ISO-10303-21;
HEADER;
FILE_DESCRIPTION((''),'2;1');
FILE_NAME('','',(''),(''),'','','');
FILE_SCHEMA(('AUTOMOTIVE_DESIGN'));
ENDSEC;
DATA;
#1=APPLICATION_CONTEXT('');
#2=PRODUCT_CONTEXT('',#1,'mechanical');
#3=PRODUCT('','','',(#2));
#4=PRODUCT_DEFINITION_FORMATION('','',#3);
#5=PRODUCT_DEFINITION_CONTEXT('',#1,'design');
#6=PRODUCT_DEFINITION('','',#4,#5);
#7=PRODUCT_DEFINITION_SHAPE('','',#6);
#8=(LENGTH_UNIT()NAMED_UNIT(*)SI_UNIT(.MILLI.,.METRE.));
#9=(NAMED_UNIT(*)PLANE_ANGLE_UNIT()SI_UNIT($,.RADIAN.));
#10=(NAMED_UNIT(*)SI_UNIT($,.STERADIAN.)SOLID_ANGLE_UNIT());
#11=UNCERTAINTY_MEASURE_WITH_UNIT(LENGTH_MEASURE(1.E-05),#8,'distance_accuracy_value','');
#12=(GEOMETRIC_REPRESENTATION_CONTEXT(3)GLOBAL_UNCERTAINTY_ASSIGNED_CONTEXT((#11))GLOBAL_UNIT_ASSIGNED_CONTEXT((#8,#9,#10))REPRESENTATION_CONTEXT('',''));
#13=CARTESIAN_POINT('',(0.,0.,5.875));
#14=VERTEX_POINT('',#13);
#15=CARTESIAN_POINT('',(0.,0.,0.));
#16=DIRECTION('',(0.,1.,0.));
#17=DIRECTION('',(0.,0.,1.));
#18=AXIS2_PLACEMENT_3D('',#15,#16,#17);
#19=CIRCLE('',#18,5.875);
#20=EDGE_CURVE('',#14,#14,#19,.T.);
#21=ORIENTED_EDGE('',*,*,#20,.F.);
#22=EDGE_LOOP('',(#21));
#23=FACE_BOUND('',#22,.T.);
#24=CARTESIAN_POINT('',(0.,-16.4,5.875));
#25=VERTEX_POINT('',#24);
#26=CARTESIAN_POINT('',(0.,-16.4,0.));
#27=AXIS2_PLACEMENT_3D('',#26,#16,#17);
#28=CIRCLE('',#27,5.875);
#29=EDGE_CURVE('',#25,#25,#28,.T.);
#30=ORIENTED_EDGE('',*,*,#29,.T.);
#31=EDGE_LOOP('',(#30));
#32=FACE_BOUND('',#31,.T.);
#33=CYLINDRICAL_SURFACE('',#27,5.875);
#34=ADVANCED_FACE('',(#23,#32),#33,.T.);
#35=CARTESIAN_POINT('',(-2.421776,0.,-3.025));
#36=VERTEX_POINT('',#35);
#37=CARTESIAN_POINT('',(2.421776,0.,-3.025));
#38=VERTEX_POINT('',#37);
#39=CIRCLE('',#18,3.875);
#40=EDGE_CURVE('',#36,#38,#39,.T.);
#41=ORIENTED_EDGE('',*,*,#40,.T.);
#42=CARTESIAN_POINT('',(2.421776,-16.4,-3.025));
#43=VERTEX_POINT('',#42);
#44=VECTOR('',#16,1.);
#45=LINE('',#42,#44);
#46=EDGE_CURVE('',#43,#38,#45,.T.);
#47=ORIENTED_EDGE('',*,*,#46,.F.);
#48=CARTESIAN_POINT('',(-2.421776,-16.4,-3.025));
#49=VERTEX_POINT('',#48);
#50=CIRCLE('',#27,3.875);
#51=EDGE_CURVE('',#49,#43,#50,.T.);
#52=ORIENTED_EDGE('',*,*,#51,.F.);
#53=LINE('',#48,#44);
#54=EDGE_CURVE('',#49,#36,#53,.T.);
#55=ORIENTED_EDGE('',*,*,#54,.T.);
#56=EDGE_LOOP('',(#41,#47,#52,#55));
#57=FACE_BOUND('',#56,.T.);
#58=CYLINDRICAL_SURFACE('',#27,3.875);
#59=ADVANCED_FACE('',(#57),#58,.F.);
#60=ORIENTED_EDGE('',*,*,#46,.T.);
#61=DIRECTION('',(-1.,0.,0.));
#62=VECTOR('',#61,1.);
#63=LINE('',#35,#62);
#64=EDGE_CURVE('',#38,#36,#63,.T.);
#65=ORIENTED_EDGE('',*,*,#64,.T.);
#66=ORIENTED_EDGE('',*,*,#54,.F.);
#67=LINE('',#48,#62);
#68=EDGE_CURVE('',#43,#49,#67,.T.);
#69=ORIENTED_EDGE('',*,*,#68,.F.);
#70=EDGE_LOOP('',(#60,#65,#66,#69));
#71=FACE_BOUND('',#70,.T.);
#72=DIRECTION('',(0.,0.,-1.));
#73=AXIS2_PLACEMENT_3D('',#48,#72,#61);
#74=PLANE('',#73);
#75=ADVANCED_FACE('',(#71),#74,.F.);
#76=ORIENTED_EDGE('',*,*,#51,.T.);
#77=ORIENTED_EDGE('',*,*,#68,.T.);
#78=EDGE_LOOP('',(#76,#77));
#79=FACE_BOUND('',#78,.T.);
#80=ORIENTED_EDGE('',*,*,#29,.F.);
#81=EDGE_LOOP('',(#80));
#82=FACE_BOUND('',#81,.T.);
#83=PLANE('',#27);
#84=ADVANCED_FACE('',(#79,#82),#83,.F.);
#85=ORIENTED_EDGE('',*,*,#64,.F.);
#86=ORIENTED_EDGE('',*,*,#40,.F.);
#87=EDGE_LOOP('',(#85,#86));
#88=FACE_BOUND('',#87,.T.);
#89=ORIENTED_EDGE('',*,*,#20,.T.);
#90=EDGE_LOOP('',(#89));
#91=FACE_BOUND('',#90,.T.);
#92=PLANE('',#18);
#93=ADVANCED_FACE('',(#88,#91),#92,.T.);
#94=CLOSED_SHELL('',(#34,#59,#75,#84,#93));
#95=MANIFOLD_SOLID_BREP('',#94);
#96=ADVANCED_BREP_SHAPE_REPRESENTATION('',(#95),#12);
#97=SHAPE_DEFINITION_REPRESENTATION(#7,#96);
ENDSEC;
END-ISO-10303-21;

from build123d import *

# Parameters (mm, degrees)
SKETCH1_R           = 5.875
BOSS_EXTRUDE1_DEPTH = 16.4
CUT_EXTRUDE1_DEPTH  = 19.384538341


with BuildPart() as part:
    # Sketch1 → Boss-Extrude1 (new body)
    with BuildSketch(Plane(origin=(0, 0, 0), x_dir=(1, 0, 0), z_dir=(0, 1, 0))):
        Circle(SKETCH1_R)
    extrude(amount=-BOSS_EXTRUDE1_DEPTH)

    # Sketch3 → Cut-Extrude1 (cut, through all)
    with BuildSketch(Plane(origin=(0, 0, 0), x_dir=(1, 0, 0), z_dir=(0, 1, 0))):
        with BuildLine():
            Line((-2.421776208, 3.025), (2.421776208, 3.025))
            ThreePointArc((2.421776208, 3.025), (0, -3.875), (-2.421776208, 3.025))
        make_face()
    extrude(amount=-CUT_EXTRUDE1_DEPTH, mode=Mode.SUBTRACT)


solid = part.part
